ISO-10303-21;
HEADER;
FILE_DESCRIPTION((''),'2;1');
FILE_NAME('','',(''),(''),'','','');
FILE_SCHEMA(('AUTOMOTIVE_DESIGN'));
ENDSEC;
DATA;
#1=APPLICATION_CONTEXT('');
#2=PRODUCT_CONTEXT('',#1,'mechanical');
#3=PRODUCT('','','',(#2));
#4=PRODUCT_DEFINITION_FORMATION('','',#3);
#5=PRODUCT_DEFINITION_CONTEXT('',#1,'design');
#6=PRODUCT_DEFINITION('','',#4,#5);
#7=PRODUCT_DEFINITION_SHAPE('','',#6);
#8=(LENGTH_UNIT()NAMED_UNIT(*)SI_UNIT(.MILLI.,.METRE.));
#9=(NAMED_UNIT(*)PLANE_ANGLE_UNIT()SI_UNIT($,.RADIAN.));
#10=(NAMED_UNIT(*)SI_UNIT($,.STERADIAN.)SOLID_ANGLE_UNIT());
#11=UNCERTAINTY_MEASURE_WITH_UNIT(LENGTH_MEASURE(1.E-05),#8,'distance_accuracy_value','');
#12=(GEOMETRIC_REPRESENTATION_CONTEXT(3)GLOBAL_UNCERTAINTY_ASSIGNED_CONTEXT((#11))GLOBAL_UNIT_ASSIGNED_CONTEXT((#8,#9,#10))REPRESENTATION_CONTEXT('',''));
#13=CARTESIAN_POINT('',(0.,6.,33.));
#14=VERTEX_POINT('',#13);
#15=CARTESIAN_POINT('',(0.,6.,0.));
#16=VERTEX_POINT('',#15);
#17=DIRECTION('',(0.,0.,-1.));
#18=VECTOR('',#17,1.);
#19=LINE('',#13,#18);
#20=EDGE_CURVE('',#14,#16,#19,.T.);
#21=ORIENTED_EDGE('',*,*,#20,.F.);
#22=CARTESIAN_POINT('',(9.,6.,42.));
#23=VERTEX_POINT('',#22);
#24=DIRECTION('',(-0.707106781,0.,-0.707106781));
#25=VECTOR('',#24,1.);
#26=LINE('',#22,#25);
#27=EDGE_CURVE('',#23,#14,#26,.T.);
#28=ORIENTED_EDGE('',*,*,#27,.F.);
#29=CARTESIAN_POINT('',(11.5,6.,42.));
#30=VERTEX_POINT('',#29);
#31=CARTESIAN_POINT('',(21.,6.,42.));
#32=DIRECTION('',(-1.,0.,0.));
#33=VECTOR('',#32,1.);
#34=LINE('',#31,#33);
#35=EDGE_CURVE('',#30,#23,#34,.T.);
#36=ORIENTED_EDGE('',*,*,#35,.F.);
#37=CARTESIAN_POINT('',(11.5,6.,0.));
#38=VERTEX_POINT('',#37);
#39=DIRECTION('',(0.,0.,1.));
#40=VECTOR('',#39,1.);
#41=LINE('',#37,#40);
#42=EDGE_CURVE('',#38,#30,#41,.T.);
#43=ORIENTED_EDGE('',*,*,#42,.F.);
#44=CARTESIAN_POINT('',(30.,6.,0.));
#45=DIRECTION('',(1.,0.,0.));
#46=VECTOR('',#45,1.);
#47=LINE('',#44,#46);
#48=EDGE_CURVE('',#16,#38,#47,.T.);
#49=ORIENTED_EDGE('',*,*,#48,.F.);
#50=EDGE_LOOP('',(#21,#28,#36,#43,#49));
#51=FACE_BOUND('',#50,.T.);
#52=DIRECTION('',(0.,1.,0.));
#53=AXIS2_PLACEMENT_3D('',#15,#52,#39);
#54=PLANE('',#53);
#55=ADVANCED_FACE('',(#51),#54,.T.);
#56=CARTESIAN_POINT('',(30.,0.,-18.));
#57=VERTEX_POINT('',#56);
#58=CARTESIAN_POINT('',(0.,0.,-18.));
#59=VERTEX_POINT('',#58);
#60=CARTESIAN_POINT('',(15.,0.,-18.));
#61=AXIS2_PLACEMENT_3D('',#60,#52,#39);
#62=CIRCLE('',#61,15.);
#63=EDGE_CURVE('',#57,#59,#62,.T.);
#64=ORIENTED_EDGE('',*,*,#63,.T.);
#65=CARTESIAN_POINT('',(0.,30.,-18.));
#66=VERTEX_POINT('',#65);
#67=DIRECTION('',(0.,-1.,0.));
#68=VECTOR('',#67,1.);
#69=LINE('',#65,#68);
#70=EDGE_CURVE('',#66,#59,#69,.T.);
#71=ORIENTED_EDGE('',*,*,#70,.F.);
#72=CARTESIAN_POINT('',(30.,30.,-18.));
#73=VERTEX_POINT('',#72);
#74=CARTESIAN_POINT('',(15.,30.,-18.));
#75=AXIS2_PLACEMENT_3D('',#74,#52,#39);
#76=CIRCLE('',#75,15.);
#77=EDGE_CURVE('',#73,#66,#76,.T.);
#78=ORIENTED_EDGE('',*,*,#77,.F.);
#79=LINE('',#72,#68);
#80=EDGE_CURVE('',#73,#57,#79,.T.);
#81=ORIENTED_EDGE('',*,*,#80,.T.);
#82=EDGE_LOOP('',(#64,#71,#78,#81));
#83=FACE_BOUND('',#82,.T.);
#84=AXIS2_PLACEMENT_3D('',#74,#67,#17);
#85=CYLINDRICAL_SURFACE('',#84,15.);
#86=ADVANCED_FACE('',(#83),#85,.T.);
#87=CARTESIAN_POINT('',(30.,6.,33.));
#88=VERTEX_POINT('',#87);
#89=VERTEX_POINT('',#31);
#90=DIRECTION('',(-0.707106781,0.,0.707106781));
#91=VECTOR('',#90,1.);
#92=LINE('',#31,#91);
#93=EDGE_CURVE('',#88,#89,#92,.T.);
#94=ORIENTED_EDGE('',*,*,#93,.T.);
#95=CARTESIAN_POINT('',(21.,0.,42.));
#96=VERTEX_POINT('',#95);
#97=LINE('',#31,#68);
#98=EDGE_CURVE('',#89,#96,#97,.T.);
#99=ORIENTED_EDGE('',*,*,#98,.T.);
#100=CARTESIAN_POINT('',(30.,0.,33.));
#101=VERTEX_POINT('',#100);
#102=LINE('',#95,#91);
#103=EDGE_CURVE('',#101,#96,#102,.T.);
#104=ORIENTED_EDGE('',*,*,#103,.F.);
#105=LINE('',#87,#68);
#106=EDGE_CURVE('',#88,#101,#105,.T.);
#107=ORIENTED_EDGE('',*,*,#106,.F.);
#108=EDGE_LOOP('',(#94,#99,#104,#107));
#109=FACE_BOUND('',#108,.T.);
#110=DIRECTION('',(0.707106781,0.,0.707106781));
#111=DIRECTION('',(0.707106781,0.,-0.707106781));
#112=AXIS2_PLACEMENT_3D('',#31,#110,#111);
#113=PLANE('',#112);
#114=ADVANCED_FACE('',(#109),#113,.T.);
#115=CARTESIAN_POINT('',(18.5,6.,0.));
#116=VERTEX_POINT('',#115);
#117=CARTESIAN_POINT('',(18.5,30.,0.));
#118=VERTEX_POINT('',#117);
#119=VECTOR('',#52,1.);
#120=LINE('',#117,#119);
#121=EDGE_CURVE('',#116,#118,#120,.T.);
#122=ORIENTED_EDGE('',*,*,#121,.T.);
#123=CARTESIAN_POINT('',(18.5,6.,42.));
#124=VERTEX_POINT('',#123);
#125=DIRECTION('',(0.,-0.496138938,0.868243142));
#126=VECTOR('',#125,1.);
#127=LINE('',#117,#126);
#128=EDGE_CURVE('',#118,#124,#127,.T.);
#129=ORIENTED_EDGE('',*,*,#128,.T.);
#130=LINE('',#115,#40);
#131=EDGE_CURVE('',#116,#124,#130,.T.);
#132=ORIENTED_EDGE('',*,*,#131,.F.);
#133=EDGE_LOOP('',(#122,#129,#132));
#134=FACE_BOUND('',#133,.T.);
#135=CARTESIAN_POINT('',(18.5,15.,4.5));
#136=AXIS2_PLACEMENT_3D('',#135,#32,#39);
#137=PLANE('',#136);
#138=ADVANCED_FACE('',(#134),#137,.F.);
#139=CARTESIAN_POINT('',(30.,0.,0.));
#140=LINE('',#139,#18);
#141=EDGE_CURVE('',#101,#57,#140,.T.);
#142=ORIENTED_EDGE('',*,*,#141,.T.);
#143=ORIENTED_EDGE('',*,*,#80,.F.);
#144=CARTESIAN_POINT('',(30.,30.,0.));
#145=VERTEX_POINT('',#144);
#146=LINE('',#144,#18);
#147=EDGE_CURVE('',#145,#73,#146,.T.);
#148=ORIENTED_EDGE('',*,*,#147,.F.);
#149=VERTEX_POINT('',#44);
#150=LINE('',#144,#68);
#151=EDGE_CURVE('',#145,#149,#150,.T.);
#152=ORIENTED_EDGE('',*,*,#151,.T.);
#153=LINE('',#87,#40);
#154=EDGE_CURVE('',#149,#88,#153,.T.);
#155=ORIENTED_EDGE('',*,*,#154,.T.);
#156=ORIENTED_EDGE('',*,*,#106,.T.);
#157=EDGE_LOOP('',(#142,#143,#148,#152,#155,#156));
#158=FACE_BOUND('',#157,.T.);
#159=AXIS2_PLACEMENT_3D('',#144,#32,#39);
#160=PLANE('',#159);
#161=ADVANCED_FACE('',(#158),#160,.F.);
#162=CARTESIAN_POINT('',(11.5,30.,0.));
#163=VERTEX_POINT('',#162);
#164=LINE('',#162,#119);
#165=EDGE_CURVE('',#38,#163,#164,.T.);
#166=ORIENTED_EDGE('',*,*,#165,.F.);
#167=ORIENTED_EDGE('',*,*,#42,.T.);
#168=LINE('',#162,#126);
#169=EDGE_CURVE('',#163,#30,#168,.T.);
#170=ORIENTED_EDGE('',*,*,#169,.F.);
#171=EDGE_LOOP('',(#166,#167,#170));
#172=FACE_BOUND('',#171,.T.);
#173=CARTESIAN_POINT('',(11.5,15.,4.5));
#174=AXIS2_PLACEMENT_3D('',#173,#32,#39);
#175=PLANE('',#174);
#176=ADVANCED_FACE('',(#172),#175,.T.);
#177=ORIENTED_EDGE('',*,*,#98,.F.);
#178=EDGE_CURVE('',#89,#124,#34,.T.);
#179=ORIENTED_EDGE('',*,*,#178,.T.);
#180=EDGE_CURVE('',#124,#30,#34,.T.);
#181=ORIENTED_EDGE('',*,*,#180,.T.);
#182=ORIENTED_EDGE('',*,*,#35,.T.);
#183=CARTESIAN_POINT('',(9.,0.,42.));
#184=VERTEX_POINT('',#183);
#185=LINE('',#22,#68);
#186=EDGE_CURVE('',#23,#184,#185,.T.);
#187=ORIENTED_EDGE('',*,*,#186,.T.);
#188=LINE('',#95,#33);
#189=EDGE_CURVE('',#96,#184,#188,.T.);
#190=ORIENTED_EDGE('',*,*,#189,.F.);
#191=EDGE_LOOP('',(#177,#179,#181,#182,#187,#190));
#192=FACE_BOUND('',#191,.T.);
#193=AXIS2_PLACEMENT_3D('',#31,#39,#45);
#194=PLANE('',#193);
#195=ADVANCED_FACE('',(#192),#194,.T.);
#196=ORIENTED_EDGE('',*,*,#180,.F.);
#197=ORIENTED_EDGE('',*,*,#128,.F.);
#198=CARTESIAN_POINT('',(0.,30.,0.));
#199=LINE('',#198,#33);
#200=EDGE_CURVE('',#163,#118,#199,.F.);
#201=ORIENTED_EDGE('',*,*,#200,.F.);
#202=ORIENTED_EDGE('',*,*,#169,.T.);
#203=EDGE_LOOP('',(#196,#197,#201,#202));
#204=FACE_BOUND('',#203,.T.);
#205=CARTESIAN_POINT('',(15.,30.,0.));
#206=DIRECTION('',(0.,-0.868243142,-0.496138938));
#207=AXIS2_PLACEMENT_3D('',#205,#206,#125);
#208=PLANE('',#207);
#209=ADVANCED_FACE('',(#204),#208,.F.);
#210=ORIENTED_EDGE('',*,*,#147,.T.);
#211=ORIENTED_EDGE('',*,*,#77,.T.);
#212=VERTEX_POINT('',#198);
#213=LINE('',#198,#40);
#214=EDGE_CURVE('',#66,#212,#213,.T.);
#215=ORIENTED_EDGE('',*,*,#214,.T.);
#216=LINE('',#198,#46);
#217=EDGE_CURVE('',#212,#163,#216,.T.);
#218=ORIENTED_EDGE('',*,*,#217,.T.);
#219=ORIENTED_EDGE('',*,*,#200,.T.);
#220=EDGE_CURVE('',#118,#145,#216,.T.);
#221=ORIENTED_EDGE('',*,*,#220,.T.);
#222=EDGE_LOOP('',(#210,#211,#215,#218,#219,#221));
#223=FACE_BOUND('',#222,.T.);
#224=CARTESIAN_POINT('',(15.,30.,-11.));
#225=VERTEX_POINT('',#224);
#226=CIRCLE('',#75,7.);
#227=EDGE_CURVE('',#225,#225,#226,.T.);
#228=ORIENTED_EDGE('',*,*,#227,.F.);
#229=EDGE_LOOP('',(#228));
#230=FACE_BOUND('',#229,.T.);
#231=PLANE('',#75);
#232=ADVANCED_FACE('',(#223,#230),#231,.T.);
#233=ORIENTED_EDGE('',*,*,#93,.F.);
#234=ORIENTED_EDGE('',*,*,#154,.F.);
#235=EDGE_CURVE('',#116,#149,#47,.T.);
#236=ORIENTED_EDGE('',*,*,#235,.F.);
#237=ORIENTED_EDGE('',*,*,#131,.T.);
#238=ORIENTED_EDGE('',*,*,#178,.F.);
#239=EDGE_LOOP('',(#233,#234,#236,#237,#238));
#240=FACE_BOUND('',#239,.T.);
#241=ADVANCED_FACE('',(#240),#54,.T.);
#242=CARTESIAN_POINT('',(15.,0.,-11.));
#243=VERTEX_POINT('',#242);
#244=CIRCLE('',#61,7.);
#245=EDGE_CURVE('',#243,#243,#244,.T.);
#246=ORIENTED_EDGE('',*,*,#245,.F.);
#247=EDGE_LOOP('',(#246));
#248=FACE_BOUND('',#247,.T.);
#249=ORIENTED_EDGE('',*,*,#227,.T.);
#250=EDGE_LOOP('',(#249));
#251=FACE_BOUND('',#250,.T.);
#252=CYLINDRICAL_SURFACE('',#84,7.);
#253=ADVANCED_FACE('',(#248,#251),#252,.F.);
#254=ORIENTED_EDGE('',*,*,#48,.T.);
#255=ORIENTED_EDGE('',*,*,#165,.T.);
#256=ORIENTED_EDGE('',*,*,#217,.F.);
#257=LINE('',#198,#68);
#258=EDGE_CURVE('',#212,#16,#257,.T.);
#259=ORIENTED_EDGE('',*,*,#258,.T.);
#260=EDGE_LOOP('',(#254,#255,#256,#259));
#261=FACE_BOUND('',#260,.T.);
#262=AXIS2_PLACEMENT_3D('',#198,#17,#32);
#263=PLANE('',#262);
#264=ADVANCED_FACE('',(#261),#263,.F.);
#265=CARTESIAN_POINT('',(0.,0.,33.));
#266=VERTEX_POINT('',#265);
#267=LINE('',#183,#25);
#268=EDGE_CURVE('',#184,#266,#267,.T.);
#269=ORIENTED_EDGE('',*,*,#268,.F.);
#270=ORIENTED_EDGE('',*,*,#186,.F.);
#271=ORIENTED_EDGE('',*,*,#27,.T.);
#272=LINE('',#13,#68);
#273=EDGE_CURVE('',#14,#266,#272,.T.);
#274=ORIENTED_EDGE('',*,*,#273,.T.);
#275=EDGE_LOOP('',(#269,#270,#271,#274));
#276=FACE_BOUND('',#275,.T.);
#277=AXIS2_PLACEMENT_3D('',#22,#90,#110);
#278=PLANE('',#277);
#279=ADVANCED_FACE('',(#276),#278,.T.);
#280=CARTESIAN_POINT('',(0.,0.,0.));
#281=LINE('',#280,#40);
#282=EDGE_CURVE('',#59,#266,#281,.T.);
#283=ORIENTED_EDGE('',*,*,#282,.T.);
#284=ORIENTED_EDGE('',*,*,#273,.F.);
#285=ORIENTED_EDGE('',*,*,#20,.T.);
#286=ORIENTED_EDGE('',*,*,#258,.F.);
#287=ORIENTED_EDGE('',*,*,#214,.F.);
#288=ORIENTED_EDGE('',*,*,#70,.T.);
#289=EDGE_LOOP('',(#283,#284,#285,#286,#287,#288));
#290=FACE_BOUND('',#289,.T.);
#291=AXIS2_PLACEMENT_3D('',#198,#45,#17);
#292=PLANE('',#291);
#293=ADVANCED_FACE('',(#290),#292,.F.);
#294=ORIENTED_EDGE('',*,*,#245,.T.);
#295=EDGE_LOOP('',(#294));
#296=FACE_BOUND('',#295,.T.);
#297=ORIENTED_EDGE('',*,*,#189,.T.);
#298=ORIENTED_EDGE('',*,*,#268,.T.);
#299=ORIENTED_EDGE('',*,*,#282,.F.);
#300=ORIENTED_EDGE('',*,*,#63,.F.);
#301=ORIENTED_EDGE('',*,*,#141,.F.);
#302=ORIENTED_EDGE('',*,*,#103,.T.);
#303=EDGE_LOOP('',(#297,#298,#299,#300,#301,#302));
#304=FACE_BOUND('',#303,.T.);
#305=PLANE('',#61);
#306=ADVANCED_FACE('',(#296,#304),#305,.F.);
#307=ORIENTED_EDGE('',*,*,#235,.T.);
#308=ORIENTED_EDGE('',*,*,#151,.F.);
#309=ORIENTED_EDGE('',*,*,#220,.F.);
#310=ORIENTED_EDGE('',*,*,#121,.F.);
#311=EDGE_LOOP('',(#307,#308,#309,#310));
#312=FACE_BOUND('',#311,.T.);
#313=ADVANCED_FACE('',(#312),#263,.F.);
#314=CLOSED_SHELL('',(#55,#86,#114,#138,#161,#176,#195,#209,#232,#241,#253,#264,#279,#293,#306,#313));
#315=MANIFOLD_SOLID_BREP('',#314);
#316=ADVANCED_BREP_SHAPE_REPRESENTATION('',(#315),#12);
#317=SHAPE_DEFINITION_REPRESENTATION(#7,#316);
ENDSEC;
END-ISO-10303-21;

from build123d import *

# Parameters (mm, degrees)
SKETCH1_R           = 7
BOSS_EXTRUDE2_DEPTH = 30
BOSS_EXTRUDE4_DEPTH = 6
RIB3_REACH          = 55.749
SKETCH5_WALL_W      = 157.872383692
SKETCH5_WALL_H      = 7


with BuildPart() as part:
    # Sketch1 → Boss-Extrude2 (new body)
    with BuildSketch(Plane(origin=(0, 0, 0), x_dir=(1, 0, 0), z_dir=(0, 1, 0))):
        with BuildLine():
            Line((0, 0), (30, 0))
            Line((30, 0), (30, 18))
            ThreePointArc((30, 18), (15, 33), (0, 18))
            Line((0, 18), (0, 0))
        make_face()
        with Locations(Location((15, 18, 0), (0, 0, 270))):
            Circle(SKETCH1_R, mode=Mode.SUBTRACT)
    extrude(amount=BOSS_EXTRUDE2_DEPTH)

    # Sketch3 → Boss-Extrude4 (add)
    with BuildSketch(Plane(origin=(0, 0, 0), x_dir=(-1, 0, 0), z_dir=(0, -1, 0))):
        Polygon((-21, -42), (-30, -33), (-30, 0), (0, 0), (0, -33), (-9, -42), align=None)
    extrude(amount=-BOSS_EXTRUDE4_DEPTH)

    # Sketch5 wall → Rib3 (add, up to next)
    with BuildSketch(Plane(origin=(15, 18, 21), x_dir=(0, -0.496138938357, 0.868243142124), z_dir=(0, 0.868243142124, 0.496138938357)), mode=Mode.PRIVATE) as rib3_sk1:
        Rectangle(SKETCH5_WALL_W, SKETCH5_WALL_H)
    rib3_tool1 = extrude(rib3_sk1.sketch, amount=-RIB3_REACH, mode=Mode.PRIVATE) - part.part
    add(rib3_tool1.solids().sort_by_distance((15, 18, 21))[0])


solid = part.part
